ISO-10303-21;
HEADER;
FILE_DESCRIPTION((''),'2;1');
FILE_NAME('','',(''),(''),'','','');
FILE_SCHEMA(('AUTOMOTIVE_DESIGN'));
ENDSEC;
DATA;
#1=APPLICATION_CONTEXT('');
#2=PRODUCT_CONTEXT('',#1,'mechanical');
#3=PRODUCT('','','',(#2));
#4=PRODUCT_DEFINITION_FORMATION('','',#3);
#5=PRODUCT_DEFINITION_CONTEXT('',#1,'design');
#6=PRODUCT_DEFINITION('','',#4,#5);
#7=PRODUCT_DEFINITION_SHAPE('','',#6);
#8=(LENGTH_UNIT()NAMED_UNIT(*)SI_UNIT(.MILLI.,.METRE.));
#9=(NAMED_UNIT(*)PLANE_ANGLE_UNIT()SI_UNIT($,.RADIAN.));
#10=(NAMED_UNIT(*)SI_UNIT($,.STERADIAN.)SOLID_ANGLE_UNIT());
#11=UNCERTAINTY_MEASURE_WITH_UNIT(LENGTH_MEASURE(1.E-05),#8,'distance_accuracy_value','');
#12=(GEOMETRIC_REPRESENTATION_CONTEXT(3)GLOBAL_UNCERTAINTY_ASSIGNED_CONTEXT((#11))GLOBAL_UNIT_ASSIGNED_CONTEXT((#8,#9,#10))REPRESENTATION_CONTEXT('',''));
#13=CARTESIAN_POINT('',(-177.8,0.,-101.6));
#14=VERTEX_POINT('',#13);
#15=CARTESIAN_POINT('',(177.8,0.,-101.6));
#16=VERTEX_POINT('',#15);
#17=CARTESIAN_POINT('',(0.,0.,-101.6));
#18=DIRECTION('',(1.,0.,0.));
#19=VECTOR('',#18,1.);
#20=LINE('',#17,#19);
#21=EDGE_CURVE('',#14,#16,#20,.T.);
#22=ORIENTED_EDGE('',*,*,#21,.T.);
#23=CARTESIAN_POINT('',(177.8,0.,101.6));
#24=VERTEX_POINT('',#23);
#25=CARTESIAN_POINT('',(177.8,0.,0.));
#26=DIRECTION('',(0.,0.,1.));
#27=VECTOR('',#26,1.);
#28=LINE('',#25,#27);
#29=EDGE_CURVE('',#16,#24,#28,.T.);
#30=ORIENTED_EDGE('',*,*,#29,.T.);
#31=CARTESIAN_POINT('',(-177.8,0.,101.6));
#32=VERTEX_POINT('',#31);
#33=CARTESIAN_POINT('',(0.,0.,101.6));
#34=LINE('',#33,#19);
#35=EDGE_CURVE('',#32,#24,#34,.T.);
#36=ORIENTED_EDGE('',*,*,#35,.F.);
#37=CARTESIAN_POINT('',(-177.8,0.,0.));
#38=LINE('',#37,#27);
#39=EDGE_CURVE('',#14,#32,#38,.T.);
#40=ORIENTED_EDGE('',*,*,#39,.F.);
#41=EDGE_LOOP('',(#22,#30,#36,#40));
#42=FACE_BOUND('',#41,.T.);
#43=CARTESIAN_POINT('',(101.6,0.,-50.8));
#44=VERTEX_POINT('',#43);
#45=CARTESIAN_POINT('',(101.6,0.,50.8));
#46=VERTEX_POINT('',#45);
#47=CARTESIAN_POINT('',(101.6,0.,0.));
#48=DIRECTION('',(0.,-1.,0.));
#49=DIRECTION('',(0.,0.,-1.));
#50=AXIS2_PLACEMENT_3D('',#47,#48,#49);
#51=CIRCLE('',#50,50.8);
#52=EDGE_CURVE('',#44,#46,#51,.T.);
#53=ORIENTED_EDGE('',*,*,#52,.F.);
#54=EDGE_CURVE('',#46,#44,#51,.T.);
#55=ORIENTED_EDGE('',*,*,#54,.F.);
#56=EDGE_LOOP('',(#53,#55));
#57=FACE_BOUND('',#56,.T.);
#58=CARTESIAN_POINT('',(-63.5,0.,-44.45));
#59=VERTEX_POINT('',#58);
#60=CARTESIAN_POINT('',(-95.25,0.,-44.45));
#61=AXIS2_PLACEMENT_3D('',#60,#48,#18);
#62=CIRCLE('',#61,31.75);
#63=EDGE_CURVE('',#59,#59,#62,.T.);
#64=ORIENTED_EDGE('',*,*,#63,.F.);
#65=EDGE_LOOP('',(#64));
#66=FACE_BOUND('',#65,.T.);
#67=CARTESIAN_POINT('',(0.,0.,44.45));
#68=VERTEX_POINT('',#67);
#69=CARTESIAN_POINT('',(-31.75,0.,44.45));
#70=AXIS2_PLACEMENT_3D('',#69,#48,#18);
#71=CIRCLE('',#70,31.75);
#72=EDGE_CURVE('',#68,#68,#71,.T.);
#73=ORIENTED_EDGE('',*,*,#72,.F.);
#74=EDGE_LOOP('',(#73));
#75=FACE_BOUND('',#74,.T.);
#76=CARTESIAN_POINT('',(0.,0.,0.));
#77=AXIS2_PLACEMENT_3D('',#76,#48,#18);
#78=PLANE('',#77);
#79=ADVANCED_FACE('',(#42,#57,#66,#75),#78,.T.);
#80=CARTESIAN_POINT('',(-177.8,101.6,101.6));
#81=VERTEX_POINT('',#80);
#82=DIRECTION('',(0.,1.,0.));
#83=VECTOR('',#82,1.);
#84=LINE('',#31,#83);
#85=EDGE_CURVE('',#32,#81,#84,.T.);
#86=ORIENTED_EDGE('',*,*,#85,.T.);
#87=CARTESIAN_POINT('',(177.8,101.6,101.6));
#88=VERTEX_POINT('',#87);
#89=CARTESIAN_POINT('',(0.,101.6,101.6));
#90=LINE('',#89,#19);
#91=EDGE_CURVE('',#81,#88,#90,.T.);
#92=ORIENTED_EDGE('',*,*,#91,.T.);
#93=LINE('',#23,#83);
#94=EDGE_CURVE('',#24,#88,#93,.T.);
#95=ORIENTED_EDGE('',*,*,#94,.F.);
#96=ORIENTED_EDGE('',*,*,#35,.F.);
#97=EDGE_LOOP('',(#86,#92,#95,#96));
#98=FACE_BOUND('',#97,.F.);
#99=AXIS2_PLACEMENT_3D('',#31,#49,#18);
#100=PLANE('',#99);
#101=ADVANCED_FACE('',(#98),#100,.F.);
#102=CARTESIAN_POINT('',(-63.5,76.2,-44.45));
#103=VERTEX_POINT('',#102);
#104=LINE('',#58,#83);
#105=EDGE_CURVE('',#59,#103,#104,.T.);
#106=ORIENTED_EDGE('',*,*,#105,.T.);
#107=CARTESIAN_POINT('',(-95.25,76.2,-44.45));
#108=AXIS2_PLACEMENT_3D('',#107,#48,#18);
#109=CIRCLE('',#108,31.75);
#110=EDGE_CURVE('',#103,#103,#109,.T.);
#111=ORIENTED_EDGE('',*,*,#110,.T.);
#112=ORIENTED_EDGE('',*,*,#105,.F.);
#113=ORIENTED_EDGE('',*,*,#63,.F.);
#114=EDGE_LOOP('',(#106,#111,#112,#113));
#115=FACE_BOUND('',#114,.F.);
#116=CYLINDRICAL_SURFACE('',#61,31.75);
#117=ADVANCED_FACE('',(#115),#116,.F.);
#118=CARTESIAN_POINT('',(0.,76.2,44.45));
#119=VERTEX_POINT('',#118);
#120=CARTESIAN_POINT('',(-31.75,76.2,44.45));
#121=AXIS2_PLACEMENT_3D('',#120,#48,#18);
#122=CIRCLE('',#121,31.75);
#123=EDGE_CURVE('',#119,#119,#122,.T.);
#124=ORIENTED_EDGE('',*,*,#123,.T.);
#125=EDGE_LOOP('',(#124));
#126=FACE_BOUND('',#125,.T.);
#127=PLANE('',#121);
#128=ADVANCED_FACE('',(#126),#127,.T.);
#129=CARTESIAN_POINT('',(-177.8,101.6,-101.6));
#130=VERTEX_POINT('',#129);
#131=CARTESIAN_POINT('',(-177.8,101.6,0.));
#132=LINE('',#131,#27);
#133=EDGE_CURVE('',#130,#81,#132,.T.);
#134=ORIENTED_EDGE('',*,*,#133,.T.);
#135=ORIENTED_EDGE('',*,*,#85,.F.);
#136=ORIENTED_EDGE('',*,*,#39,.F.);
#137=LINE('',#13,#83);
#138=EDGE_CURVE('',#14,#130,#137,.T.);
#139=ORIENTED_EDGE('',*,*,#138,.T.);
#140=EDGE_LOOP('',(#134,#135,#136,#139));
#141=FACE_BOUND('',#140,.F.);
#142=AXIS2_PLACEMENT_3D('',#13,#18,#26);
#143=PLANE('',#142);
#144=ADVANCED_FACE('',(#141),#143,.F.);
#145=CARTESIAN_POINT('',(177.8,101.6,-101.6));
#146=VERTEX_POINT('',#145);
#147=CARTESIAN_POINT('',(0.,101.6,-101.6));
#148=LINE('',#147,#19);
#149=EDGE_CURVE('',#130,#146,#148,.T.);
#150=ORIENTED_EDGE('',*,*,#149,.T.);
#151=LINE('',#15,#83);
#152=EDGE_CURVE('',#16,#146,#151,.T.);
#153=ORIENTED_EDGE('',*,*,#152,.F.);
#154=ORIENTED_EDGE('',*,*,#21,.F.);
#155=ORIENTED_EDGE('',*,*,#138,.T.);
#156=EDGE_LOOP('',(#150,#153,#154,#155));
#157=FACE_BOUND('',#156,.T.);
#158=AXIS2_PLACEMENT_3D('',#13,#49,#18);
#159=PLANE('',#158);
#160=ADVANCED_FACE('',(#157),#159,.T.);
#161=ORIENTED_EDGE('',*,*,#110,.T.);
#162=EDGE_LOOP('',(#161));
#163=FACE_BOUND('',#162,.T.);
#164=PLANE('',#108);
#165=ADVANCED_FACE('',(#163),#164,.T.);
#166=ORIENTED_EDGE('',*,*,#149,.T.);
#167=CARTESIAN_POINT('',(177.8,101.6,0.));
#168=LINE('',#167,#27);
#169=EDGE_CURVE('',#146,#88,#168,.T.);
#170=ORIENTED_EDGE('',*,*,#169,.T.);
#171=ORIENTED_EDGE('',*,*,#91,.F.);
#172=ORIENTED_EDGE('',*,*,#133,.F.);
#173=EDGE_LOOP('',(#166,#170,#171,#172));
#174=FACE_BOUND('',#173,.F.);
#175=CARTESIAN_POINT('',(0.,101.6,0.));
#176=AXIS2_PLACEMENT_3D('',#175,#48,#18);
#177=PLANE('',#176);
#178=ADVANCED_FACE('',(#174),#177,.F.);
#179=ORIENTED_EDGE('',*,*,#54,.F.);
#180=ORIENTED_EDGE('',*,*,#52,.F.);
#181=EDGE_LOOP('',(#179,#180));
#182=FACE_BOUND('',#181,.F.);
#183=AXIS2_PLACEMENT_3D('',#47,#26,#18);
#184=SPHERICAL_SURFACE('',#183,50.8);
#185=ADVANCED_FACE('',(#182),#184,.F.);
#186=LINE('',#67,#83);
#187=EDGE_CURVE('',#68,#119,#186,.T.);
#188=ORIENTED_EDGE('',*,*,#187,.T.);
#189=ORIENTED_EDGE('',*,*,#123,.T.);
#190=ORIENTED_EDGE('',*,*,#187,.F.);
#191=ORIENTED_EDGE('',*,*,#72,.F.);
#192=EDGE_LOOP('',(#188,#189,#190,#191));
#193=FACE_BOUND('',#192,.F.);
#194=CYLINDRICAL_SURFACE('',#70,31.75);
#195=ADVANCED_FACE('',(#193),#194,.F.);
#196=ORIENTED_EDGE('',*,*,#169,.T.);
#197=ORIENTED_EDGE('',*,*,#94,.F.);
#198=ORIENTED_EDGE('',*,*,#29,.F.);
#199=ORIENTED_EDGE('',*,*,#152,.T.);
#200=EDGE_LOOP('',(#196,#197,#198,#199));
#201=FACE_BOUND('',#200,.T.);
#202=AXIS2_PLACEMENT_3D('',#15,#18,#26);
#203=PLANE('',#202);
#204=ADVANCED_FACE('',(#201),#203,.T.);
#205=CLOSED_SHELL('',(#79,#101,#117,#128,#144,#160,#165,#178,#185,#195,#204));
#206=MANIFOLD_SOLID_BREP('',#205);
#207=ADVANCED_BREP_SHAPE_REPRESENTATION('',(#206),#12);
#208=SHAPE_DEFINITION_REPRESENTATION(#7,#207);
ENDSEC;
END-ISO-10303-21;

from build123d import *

# Parameters (mm, degrees)
F0_W     = 355.6
F0_H     = 203.2
F0_R     = 31.75
F1_DEPTH = 101.6
F3_DEPTH = 76.2


with BuildPart() as f1:
    # F0 (on Front) → F1 (new body)
    with BuildSketch(Plane.XZ):
        Rectangle(F0_W, F0_H)
        with Locations((-95.25, -44.45)):
            Circle(F0_R, mode=Mode.SUBTRACT)
        with BuildLine():
            ThreePointArc((101.6, 50.8), (152.4, 0), (101.6, -50.8))
            Line((101.6, -50.8), (101.6, 0))
            Line((101.6, 0), (101.6, 50.8))
        make_face(mode=Mode.SUBTRACT)
        with Locations((-31.75, 44.45)):
            Circle(F0_R, mode=Mode.SUBTRACT)
        with BuildLine():
            Line((101.6, 0), (101.6, -50.8))
            ThreePointArc((101.6, -50.8), (152.4, 0), (101.6, 50.8))
            Line((101.6, 50.8), (101.6, 0))
        make_face()
        with Locations((-31.75, 44.45)):
            Circle(F0_R)
        with Locations((-95.25, -44.45)):
            Circle(F0_R)
    extrude(amount=-F1_DEPTH)

    # F0 (on Front) → F2 (revolve, cut)
    with BuildSketch(Plane.XZ):
        with BuildLine():
            Line((101.6, 0), (101.6, -50.8))
            ThreePointArc((101.6, -50.8), (152.4, 0), (101.6, 50.8))
            Line((101.6, 50.8), (101.6, 0))
        make_face()
    revolve(axis=Axis((101.6, 0, 0), (0, 0, 1)), mode=Mode.SUBTRACT)

    # F0 (on Front) → F3 (cut)
    with BuildSketch(Plane.XZ):
        with Locations((-31.75, 44.45)):
            Circle(F0_R)
        with Locations((-95.25, -44.45)):
            Circle(F0_R)
    extrude(amount=-F3_DEPTH, mode=Mode.SUBTRACT)


solid = f1.part
